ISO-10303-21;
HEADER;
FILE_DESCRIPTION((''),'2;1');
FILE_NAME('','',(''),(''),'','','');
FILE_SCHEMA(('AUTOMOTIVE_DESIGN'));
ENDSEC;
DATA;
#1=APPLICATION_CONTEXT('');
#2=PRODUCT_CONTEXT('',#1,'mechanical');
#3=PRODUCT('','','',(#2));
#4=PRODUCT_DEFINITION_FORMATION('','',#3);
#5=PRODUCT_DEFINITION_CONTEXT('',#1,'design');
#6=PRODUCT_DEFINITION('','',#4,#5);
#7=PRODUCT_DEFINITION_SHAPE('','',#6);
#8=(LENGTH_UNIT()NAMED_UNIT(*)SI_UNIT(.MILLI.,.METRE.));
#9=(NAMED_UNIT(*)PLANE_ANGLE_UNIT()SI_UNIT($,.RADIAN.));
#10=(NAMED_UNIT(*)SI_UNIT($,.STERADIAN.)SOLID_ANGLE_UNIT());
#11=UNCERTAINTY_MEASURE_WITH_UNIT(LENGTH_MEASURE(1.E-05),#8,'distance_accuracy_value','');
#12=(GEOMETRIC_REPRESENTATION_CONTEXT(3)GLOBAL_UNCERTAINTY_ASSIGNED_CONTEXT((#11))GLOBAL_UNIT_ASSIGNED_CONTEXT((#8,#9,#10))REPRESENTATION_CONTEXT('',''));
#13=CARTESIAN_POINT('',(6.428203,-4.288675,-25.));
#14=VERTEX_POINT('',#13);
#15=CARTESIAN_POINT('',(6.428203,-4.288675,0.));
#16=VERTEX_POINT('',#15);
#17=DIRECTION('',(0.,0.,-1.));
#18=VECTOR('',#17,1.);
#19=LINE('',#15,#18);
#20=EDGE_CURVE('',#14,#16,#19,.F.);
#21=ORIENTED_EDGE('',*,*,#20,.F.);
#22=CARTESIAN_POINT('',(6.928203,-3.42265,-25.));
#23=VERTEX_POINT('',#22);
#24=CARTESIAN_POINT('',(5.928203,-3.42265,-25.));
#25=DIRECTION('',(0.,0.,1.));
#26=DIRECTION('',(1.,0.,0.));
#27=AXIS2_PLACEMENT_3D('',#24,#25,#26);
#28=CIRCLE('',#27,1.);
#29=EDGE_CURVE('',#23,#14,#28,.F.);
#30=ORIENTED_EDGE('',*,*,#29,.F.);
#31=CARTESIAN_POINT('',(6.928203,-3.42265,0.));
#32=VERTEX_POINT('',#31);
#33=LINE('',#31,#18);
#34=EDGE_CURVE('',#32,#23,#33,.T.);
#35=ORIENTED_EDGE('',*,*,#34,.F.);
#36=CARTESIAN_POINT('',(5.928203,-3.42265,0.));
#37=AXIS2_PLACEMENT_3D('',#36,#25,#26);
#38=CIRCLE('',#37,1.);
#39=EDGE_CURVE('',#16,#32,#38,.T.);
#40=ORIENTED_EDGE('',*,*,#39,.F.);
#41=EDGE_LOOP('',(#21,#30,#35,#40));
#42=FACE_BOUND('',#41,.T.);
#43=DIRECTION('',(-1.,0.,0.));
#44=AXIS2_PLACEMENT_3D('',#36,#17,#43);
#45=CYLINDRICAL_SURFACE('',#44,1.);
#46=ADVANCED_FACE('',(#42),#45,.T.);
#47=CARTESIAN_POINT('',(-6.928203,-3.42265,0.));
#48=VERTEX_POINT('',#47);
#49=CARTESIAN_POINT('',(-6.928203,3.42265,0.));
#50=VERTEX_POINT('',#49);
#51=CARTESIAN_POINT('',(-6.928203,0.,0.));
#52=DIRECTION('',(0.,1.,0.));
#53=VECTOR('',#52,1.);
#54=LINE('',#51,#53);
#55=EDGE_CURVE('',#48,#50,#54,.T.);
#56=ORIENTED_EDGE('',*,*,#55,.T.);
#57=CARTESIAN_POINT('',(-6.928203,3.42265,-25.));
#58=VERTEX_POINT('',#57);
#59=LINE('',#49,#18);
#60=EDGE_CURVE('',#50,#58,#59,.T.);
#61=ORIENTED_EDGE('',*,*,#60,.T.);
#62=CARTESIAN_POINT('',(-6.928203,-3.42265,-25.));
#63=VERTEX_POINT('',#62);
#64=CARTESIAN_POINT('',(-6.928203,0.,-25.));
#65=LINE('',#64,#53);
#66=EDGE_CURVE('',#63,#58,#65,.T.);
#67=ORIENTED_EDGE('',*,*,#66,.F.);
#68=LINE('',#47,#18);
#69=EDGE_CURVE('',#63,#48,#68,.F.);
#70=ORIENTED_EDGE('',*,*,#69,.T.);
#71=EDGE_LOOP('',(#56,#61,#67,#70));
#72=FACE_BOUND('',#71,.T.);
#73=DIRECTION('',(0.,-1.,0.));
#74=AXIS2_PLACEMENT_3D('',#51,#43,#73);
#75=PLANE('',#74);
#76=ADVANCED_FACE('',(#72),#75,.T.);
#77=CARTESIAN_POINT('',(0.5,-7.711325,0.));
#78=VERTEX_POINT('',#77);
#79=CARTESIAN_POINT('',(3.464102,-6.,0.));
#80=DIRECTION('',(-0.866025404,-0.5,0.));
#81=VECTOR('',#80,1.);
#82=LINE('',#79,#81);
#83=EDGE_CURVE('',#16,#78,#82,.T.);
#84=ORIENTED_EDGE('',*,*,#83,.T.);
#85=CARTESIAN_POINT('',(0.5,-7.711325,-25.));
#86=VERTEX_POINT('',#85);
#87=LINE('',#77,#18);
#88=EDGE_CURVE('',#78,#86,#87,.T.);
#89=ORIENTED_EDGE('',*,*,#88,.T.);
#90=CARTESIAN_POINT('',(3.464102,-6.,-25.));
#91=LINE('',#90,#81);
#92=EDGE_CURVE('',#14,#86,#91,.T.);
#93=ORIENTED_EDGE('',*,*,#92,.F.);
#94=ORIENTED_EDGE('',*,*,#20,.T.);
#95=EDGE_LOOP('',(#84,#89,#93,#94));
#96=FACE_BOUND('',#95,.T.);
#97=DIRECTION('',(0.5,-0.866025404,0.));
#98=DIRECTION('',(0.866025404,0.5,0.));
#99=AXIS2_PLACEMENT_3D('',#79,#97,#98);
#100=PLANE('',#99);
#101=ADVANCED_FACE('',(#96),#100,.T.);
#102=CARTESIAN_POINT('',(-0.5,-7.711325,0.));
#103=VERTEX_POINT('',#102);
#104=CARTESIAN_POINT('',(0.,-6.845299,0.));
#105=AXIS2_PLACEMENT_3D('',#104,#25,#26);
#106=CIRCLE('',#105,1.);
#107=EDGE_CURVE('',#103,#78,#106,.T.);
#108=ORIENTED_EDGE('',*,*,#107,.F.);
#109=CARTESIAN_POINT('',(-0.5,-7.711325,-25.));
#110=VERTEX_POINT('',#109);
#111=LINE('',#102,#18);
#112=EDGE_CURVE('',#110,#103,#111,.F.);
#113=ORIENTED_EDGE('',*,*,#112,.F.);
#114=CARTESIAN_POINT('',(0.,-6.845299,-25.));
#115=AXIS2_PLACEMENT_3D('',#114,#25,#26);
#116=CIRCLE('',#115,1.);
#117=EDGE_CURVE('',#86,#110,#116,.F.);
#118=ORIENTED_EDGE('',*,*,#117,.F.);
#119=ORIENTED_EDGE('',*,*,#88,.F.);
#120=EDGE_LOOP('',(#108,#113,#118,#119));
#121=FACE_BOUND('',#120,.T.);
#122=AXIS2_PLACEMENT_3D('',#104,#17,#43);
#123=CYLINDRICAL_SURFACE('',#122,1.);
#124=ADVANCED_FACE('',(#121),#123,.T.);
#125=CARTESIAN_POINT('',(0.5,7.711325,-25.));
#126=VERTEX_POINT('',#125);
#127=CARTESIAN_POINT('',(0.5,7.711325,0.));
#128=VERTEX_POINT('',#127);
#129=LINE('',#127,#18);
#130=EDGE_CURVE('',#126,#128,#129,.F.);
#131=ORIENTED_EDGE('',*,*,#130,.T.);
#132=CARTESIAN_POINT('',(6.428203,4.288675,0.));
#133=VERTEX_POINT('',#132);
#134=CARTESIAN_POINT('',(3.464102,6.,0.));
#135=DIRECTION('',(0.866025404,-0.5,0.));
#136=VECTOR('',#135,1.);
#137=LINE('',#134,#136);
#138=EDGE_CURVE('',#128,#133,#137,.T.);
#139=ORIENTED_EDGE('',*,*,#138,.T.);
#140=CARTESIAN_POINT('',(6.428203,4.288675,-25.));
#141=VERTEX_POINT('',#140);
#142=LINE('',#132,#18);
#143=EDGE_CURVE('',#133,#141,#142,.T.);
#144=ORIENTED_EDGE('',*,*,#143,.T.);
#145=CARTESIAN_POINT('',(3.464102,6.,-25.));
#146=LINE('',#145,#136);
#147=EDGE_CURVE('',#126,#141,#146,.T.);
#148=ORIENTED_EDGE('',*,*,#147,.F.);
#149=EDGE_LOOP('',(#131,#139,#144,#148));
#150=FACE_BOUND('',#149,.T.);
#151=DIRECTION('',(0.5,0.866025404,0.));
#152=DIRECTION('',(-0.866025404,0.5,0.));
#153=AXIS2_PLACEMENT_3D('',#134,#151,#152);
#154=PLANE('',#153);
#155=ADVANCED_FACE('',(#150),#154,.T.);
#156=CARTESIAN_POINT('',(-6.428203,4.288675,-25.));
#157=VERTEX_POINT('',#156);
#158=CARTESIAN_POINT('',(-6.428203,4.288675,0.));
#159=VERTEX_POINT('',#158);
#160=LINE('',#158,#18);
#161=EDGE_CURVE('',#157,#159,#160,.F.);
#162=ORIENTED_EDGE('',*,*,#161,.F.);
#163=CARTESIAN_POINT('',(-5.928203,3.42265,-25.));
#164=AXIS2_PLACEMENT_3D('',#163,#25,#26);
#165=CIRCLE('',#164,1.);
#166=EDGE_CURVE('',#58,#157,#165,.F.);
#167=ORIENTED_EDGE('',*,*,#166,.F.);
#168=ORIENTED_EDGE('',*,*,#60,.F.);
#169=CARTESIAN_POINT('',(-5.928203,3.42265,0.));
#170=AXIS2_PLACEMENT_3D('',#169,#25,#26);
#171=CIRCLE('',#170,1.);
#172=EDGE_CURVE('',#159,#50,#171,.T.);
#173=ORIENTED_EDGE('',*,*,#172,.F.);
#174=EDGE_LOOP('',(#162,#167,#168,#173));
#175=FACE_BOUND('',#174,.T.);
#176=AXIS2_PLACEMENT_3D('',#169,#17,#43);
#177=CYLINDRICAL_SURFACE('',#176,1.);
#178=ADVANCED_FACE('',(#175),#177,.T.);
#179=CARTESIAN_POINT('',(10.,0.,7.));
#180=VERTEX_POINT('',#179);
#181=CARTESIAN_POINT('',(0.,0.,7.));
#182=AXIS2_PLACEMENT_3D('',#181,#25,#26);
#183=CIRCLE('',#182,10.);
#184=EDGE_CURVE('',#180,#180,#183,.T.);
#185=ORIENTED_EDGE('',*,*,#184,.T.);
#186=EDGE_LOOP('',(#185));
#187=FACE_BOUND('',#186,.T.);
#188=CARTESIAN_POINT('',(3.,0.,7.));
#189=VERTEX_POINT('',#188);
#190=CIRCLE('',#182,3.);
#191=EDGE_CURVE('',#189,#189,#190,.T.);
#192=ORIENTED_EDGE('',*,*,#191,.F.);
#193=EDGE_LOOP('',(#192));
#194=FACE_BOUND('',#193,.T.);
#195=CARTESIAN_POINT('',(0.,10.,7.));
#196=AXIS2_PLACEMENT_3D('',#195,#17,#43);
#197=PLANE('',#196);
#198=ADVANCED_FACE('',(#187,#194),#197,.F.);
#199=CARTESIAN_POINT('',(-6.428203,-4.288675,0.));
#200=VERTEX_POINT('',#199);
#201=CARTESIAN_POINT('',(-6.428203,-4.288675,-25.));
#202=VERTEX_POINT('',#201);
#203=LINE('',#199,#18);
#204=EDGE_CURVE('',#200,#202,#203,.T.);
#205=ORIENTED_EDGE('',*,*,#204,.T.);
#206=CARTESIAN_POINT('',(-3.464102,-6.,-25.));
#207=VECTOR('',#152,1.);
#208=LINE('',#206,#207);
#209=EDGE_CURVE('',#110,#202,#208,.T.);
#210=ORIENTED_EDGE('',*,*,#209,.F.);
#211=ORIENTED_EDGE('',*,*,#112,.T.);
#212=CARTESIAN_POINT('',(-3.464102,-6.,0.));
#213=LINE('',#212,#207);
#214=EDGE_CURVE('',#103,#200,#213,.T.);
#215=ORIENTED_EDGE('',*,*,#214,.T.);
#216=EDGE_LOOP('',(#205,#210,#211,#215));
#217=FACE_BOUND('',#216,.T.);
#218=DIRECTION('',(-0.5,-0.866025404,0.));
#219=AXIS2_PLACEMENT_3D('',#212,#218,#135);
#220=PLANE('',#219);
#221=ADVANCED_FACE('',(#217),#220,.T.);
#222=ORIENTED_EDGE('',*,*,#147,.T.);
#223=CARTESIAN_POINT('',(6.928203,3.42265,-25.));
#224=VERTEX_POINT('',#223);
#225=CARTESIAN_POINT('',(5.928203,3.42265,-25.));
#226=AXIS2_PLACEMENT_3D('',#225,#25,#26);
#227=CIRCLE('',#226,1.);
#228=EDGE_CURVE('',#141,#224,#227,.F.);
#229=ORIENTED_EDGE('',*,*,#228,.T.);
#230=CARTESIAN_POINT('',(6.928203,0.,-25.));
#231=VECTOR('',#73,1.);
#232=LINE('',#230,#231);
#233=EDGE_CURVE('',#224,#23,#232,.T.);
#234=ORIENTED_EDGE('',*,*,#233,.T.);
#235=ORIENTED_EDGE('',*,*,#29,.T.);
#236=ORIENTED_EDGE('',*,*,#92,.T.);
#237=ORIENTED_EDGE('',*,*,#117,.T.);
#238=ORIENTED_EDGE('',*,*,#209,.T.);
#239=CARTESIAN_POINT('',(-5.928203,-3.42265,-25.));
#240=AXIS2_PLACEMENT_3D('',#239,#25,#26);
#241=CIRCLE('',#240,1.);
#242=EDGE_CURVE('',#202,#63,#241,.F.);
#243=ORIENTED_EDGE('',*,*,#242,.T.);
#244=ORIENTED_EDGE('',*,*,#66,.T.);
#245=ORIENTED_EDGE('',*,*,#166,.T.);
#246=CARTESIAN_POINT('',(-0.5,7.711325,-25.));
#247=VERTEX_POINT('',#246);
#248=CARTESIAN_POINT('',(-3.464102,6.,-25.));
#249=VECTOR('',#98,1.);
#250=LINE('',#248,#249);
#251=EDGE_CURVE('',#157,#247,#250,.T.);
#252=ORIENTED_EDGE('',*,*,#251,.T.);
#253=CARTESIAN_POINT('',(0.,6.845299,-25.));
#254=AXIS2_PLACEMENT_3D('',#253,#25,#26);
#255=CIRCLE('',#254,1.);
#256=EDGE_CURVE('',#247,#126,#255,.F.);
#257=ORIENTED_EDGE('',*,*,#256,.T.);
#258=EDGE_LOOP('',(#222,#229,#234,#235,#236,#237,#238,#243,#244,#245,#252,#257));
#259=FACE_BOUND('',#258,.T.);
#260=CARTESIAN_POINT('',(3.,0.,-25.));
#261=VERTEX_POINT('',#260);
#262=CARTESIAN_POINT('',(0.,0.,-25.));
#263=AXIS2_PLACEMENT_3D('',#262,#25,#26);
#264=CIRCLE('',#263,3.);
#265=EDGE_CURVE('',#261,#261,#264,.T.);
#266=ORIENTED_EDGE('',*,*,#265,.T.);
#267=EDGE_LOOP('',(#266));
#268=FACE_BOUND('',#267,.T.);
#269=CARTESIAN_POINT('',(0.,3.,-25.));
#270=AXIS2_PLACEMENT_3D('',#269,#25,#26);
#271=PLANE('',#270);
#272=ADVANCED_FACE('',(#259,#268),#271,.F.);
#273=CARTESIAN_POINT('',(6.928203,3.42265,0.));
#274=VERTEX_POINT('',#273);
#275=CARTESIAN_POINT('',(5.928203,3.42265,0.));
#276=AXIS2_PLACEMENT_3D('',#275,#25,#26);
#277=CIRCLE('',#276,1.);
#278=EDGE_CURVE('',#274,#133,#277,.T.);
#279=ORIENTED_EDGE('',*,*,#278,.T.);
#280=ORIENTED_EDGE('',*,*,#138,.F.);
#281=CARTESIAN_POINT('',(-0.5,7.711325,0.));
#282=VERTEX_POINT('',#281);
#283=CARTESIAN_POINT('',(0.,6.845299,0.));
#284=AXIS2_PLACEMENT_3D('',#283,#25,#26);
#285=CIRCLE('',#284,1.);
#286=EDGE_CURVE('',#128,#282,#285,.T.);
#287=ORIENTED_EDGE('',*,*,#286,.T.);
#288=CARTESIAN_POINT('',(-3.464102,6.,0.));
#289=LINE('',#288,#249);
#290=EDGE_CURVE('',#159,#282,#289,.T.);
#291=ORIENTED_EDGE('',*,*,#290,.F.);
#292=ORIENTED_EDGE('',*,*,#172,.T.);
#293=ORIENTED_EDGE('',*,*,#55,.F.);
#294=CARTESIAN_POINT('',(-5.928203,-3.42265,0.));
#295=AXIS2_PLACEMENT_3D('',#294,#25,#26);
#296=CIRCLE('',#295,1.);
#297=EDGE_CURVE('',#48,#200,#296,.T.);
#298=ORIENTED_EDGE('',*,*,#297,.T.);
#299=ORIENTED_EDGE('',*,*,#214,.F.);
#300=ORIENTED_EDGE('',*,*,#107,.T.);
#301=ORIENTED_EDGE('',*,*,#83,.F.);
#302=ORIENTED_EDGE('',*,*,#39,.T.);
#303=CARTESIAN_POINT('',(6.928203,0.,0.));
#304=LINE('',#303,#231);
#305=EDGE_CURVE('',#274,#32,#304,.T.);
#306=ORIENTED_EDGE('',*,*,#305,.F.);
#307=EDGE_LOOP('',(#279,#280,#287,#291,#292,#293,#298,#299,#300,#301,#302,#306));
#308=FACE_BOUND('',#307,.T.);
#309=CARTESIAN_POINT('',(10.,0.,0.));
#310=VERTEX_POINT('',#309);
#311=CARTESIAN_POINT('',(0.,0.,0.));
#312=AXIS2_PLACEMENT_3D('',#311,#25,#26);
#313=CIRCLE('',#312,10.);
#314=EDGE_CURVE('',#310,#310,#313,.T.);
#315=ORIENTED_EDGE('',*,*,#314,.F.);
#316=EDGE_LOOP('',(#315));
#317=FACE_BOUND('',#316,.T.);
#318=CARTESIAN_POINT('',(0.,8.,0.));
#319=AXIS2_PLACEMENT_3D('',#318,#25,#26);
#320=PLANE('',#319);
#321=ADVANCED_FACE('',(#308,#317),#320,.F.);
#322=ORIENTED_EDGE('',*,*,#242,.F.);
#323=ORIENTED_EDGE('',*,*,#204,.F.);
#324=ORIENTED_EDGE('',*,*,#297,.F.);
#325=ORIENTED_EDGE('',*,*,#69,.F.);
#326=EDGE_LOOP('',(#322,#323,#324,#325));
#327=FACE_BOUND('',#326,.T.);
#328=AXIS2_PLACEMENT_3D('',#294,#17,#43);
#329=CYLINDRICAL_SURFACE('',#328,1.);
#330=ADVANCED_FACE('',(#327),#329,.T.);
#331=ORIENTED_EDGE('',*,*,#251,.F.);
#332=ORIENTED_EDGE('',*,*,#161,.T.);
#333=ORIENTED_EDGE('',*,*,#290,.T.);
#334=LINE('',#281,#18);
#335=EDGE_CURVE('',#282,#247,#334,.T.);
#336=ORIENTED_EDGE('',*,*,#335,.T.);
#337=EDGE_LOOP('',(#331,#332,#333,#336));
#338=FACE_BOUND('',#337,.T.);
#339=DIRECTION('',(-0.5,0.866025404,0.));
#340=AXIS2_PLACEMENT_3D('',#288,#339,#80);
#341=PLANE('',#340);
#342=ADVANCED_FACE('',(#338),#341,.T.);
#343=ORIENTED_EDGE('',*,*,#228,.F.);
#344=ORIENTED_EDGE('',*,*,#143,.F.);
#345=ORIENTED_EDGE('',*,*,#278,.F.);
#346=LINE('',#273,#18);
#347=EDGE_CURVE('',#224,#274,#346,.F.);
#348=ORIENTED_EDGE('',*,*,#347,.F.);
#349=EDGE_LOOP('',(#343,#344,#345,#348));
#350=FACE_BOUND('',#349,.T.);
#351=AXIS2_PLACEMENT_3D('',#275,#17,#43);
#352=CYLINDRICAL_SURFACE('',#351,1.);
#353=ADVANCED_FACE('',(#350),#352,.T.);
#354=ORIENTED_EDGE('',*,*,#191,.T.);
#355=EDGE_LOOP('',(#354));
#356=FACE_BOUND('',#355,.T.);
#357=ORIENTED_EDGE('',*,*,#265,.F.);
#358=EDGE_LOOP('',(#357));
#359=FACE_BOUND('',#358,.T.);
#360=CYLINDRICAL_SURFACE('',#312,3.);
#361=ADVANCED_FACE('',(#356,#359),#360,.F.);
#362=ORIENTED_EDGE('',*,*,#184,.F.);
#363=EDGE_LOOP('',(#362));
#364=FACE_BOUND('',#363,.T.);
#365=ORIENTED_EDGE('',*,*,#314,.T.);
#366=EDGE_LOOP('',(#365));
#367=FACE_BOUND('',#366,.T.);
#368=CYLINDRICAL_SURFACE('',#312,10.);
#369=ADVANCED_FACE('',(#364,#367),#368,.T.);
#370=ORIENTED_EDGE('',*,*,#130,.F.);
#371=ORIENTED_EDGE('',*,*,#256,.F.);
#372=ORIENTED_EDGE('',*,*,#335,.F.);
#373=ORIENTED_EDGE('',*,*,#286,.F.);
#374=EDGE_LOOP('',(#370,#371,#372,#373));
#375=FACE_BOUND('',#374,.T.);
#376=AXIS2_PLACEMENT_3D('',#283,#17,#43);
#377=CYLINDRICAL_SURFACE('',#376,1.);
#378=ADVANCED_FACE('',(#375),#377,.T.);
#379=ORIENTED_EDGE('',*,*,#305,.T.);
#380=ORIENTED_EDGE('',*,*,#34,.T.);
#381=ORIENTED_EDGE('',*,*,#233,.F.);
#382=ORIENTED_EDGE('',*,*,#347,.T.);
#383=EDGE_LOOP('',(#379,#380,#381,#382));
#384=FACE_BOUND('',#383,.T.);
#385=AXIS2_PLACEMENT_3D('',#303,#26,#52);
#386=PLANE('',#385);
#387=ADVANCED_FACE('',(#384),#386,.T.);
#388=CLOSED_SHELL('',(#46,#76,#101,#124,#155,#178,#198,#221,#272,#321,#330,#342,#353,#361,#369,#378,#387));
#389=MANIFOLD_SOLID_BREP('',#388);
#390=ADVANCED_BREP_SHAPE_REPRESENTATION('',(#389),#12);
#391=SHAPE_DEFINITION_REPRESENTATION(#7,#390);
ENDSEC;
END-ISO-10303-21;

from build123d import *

# Parameters (mm, degrees)
CUT_EXTRUDE1_DEPTH = 25
FILLET1_R          = 1


with BuildPart() as part:
    # Sketch2 → Revolve1 (revolve)
    with BuildSketch(Plane(origin=(0, 0, 0), x_dir=(0, 0, -1), z_dir=(1, 0, 0))):
        Polygon((-7, 3), (25, 3), (25, 8), (0, 8), (0, 10), (-7, 10), align=None)
    revolve(axis=Axis((0, 0, 0), (0, 0, -1)))

    # Sketch3 → Cut-Extrude1 (cut)
    with BuildSketch(Plane(origin=(0, 0, -25), x_dir=(-1, 0, 0), z_dir=(0, 0, -1))):
        with BuildLine():
            ThreePointArc((0, 8), (-4, 6.92820323), (-6.92820323, 4))
            Line((-6.92820323, 4), (0, 8))
        make_face()
        with BuildLine():
            ThreePointArc((-6.92820323, 4), (-8, 0), (-6.92820323, -4))
            Line((-6.92820323, -4), (-6.92820323, 4))
        make_face()
        with BuildLine():
            ThreePointArc((-6.92820323, -4), (-4, -6.92820323), (0, -8))
            Line((0, -8), (-6.92820323, -4))
        make_face()
        with BuildLine():
            Line((6.92820323, -4), (0, -8))
            ThreePointArc((0, -8), (4, -6.92820323), (6.92820323, -4))
        make_face()
        with BuildLine():
            Line((6.92820323, 4), (6.92820323, -4))
            ThreePointArc((6.92820323, -4), (7.72740661, -2.070552361), (8, 0))
            ThreePointArc((8, 0), (7.72740661, 2.070552361), (6.92820323, 4))
        make_face()
        with BuildLine():
            Line((0, 8), (6.92820323, 4))
            ThreePointArc((6.92820323, 4), (4, 6.92820323), (0, 8))
        make_face()
    extrude(amount=-CUT_EXTRUDE1_DEPTH, mode=Mode.SUBTRACT)

    # Fillet1
    fillet1_edges = [part.edges().sort_by_distance(p)[0] for p in [
        (0, 8, -12.5),
        (6.92820323, 4, -12.5),
        (6.92820323, -4, -12.5),
        (0, -8, -12.5),
        (-6.92820323, -4, -12.5),
        (-6.92820323, 4, -12.5),
    ]]
    fillet(fillet1_edges, radius=FILLET1_R)


solid = part.part
